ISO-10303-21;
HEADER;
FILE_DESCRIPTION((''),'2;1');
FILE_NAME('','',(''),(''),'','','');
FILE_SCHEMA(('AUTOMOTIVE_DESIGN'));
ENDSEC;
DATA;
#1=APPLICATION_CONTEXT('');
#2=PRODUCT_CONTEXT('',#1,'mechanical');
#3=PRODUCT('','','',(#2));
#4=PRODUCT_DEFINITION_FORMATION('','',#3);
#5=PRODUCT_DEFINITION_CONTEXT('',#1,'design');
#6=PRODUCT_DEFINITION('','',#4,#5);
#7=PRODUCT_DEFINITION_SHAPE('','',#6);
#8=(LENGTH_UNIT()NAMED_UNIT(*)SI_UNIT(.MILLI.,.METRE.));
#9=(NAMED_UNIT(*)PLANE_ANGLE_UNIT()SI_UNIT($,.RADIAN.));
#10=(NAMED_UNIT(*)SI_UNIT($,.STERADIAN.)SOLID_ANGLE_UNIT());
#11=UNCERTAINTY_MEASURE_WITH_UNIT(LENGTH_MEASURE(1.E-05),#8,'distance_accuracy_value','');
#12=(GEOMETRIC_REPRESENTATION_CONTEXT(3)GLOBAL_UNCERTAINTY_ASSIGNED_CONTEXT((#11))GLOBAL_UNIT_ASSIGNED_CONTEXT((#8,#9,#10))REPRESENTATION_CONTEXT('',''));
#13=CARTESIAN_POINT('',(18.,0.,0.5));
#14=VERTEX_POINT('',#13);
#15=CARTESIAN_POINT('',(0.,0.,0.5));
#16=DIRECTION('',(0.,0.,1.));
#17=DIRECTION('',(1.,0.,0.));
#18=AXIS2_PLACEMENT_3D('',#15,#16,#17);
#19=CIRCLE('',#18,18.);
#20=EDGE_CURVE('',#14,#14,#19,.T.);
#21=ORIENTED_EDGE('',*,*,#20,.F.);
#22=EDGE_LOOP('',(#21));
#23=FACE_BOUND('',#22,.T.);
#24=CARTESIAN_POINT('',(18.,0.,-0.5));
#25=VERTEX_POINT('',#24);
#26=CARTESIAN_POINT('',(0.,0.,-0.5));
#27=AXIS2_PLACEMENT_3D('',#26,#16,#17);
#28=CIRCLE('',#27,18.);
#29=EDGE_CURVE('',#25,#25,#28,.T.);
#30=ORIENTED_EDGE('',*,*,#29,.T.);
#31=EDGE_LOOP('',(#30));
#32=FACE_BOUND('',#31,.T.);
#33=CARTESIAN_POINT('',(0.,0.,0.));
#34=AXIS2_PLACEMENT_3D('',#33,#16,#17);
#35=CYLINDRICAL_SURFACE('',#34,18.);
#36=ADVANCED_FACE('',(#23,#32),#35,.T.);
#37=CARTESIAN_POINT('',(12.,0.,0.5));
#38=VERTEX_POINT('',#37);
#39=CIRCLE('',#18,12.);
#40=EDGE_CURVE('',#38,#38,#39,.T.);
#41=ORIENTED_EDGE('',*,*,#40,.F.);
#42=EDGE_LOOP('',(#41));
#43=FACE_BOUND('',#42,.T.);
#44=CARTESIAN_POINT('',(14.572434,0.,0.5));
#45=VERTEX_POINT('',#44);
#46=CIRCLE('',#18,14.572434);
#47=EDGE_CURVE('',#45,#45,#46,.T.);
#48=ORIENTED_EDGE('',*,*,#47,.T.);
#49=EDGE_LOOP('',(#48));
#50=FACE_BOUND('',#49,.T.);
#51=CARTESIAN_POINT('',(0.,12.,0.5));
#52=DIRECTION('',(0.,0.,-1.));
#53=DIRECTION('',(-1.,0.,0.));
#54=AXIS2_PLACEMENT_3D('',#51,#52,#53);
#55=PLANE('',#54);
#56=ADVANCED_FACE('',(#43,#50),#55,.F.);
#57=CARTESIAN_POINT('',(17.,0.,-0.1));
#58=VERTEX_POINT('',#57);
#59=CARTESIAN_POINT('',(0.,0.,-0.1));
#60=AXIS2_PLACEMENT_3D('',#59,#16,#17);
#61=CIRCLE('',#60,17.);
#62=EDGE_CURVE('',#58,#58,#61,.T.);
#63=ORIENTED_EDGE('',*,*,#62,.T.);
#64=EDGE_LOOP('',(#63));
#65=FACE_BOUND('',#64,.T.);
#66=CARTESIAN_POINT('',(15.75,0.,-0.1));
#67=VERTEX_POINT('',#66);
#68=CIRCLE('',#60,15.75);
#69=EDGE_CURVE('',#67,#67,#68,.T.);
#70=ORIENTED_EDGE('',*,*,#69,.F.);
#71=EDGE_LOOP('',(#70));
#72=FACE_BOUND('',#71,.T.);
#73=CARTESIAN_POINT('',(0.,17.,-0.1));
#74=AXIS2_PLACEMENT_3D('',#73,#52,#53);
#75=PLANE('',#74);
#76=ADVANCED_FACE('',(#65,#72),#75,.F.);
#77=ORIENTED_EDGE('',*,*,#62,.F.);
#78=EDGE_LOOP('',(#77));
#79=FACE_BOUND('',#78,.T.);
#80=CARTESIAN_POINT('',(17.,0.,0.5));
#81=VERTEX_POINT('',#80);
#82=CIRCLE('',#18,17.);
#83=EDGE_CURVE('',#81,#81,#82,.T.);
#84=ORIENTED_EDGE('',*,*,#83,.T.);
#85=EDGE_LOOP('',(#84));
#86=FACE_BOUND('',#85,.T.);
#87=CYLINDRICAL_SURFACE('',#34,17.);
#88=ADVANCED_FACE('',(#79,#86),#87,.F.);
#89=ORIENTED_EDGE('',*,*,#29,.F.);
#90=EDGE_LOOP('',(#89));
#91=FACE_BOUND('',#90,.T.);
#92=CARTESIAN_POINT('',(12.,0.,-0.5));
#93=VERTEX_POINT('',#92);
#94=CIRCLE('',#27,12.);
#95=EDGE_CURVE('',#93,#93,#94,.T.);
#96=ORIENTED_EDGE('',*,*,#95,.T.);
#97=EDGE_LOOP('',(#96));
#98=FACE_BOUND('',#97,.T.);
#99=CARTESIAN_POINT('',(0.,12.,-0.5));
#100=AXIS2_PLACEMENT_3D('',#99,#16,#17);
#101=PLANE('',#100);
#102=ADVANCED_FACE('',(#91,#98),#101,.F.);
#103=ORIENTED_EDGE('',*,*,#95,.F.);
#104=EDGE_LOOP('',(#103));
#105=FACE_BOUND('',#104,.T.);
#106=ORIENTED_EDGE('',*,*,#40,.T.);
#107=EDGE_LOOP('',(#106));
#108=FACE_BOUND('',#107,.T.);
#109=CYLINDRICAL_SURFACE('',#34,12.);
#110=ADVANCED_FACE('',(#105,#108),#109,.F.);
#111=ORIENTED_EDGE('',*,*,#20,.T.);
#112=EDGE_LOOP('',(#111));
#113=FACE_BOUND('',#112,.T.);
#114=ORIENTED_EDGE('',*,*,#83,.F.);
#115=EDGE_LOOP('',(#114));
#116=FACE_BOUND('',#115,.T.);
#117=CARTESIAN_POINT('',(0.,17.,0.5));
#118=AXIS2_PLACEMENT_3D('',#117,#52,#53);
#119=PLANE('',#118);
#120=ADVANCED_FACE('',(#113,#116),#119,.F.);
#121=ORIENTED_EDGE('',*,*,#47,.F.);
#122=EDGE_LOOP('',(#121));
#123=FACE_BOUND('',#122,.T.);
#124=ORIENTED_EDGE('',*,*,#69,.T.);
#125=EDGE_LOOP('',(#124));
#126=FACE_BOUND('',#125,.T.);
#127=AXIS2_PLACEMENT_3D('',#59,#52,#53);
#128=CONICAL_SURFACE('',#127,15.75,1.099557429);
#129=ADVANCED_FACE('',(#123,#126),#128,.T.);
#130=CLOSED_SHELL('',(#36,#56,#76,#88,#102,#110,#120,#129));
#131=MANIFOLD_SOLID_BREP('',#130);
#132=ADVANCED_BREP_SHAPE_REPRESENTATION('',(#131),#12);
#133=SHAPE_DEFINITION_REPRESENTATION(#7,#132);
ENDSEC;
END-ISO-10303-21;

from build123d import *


with BuildPart() as part:
    # Esquisse1 → Révolution1 (revolve)
    with BuildSketch(Plane(origin=(0, 0, 0), x_dir=(0, 0, -1), z_dir=(1, 0, 0)), mode=Mode.PRIVATE) as r_volution1_sk:
        Polygon((-0.5, 17), (0.1, 17), (0.1, 15.75), (-0.5, 14.572433697), (-0.5, 12), (0.5, 12), (0.5, 18), (-0.5, 18), align=None)
    revolve(r_volution1_sk.sketch.rotate(Axis((0, 0, 0), (0, 0, -1)), 90), axis=Axis((0, 0, 0), (0, 0, -1)))


solid = part.part
